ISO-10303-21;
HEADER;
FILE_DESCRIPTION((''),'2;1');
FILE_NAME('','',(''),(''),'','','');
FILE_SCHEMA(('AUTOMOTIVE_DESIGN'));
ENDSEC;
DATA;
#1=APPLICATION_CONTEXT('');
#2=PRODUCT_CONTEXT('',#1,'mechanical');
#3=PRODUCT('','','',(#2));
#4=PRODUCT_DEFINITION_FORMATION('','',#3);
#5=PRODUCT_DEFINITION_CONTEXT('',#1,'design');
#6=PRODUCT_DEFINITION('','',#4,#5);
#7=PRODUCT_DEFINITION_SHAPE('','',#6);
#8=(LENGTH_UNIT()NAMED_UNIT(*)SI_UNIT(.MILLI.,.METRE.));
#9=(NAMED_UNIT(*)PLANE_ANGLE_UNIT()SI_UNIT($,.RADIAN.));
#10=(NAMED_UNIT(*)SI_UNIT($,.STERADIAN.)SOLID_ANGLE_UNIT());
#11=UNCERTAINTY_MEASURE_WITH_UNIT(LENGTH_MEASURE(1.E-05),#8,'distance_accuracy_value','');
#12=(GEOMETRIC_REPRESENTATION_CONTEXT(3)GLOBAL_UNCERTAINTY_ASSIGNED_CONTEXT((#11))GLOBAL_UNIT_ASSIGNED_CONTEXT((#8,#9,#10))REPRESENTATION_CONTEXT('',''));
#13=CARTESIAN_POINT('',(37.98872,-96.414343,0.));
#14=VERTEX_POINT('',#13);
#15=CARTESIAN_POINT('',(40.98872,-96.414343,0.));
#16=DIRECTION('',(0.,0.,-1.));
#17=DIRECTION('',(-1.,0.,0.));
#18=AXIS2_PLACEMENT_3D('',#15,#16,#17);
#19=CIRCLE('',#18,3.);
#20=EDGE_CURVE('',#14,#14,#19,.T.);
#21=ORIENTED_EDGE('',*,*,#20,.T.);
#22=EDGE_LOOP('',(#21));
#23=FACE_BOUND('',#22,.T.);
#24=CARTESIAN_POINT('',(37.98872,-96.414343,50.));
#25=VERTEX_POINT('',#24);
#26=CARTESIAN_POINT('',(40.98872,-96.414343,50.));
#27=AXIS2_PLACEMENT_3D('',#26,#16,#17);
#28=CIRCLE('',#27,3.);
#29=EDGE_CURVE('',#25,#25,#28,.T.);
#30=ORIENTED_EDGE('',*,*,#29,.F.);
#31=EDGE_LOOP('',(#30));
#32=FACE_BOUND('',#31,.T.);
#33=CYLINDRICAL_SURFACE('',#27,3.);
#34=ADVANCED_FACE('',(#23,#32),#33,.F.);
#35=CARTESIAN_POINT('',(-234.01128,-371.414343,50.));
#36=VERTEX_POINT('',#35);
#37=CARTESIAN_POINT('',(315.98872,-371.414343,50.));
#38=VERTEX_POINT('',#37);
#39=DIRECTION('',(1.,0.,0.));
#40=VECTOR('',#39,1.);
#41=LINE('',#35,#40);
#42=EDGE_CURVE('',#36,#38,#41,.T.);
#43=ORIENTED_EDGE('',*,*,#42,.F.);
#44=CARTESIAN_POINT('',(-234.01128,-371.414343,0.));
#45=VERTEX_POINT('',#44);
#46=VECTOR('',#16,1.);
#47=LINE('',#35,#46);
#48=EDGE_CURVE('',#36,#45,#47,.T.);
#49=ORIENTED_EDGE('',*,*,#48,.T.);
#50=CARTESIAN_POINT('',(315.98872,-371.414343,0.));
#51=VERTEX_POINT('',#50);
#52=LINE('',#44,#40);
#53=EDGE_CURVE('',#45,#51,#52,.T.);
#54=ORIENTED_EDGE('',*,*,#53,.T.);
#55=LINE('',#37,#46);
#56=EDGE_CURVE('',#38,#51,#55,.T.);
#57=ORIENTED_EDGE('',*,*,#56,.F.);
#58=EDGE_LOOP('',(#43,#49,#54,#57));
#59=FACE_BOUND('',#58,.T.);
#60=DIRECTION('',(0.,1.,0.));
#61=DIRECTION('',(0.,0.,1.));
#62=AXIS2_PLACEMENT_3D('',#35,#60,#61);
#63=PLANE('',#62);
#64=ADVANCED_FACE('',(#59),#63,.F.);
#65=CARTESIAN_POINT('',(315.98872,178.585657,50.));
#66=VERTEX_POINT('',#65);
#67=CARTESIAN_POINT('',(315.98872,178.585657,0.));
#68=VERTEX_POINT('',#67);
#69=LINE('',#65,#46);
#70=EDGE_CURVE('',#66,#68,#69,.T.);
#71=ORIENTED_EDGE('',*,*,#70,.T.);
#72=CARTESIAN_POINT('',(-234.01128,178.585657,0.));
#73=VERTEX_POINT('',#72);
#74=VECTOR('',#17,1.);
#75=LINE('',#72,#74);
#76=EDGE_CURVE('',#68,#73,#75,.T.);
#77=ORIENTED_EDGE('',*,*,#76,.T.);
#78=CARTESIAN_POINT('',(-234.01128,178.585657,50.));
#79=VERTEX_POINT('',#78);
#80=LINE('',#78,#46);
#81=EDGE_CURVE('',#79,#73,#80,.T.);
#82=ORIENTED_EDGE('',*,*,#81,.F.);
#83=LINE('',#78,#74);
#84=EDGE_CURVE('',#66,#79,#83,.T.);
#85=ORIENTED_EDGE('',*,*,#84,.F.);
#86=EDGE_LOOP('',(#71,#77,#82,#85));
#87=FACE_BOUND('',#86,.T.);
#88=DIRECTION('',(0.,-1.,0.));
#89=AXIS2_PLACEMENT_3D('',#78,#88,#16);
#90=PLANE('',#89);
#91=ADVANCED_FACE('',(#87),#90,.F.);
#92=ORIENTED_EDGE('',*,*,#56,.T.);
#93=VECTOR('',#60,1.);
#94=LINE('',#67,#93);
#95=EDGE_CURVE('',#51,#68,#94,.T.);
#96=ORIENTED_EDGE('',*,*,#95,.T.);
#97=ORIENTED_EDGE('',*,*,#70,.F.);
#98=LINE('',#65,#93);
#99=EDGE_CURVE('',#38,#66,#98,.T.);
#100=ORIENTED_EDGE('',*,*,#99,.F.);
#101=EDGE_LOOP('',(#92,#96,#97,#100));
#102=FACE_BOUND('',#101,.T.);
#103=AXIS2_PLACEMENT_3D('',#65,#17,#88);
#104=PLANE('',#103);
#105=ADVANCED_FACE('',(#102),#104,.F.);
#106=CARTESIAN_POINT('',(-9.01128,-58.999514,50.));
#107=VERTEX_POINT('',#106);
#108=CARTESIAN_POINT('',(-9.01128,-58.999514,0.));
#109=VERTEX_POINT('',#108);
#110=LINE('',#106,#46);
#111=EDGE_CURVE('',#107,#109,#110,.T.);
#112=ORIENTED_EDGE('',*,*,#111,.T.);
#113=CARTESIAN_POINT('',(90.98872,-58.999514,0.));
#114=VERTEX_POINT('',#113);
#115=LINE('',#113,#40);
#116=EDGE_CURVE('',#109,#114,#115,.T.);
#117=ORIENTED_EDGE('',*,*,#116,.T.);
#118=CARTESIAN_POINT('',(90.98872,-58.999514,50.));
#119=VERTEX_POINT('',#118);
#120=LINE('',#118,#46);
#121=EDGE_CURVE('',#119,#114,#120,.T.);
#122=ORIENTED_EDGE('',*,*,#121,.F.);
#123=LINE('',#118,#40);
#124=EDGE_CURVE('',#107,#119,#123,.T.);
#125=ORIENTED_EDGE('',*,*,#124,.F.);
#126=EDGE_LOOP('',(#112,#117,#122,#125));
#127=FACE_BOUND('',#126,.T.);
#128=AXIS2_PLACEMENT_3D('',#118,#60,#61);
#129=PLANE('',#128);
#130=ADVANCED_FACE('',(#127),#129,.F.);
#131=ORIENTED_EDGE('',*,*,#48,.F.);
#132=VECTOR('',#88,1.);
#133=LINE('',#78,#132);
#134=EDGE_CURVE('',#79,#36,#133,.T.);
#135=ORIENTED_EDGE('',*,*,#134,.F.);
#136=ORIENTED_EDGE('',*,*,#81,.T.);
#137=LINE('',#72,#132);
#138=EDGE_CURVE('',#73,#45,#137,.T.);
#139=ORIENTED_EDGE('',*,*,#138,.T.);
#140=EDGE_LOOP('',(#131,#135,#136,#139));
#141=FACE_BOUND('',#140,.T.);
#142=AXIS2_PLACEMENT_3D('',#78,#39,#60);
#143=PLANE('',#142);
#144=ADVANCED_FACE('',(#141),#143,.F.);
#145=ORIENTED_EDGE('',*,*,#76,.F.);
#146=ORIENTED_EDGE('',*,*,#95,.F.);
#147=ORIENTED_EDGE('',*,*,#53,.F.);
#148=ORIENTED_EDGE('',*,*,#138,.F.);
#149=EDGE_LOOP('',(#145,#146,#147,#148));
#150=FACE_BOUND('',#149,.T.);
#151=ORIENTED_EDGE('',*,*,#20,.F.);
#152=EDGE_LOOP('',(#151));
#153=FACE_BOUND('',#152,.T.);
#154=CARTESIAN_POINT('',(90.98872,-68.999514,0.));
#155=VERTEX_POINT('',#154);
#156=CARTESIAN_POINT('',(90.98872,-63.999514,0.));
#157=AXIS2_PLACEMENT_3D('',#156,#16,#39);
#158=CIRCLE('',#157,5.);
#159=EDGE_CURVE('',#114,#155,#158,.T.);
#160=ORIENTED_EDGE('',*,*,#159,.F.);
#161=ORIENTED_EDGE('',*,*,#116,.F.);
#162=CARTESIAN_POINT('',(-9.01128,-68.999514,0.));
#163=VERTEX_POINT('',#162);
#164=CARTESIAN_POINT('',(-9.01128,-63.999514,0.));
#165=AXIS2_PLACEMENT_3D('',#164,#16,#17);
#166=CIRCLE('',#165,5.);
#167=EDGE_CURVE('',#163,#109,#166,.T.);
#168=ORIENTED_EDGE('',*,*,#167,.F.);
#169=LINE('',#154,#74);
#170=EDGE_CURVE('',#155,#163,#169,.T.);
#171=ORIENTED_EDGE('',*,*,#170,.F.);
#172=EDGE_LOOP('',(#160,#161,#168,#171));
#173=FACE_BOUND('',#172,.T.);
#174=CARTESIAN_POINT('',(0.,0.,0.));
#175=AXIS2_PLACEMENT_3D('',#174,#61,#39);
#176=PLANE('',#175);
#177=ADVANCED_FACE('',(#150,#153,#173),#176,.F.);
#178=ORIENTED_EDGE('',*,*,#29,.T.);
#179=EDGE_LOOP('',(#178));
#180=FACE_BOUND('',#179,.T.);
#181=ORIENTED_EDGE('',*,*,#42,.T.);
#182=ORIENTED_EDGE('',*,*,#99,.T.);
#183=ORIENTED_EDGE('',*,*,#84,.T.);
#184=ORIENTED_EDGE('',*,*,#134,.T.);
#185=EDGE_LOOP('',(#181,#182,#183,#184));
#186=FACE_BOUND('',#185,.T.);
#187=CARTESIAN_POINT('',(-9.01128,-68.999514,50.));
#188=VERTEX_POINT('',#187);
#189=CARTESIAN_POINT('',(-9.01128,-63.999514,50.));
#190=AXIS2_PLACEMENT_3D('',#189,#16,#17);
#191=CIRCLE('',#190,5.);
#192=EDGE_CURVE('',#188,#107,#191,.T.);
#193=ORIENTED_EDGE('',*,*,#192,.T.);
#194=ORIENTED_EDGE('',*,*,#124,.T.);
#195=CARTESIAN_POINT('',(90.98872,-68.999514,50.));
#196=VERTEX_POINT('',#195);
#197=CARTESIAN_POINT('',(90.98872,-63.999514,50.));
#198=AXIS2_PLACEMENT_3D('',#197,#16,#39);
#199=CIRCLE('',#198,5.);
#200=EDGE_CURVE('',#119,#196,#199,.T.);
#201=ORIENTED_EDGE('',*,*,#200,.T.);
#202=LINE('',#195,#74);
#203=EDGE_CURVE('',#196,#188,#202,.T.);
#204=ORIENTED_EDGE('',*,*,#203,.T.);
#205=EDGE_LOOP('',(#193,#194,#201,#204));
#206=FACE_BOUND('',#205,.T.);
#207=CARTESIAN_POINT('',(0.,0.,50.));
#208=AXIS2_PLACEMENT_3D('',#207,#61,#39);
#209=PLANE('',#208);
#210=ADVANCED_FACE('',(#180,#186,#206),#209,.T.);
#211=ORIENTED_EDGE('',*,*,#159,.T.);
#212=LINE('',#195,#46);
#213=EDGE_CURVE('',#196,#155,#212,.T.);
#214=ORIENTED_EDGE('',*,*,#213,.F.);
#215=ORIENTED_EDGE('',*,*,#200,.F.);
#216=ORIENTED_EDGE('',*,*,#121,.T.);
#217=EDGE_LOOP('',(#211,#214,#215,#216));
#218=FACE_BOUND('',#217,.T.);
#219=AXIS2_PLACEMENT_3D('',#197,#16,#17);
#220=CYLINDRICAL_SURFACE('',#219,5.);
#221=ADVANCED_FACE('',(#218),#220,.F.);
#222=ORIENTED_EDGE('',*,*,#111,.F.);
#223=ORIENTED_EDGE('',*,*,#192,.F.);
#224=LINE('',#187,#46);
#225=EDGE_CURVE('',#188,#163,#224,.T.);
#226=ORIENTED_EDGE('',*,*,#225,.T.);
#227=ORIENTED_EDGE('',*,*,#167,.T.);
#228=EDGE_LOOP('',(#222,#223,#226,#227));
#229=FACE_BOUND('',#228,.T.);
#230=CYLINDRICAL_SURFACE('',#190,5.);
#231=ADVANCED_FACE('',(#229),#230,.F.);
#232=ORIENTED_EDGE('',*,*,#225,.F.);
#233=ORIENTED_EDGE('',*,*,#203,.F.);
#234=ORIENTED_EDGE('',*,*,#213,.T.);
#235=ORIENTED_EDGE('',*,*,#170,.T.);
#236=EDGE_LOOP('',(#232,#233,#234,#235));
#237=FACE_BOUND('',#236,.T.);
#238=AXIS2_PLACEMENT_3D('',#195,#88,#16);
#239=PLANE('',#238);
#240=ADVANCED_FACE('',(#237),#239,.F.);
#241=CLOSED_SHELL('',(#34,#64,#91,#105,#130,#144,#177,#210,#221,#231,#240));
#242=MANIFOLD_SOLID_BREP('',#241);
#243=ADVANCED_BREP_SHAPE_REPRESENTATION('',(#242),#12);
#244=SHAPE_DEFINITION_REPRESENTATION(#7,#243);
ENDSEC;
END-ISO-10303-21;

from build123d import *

# Parameters (mm, degrees)
CROQUIS1_W              = 550
CROQUIS1_H              = 550
SALIENTE_EXTRUIR1_DEPTH = 50
CROQUIS2_R              = 3
CORTAR_EXTRUIR1_DEPTH   = 50


with BuildPart() as part:
    # Croquis1 → Saliente-Extruir1 (new body)
    with BuildSketch(Plane.XY):
        with Locations((40.988720017, -96.414342629)):
            Rectangle(CROQUIS1_W, CROQUIS1_H)
    extrude(amount=SALIENTE_EXTRUIR1_DEPTH)

    # Croquis2 → Cortar-Extruir1 (cut)
    with BuildSketch(Plane(origin=(0, 0, 0), x_dir=(-1, 0, 0), z_dir=(0, 0, -1))):
        with Locations((-40.988720017, -96.414342629)):
            Circle(CROQUIS2_R)
        with BuildLine():
            Line((-90.988720017, -58.999514309), (9.011279983, -58.999514309))
            ThreePointArc((9.011279983, -58.999514309), (14.011279983, -63.999514309), (9.011279983, -68.999514309))
            Line((9.011279983, -68.999514309), (-90.988720017, -68.999514309))
            ThreePointArc((-90.988720017, -68.999514309), (-95.988720017, -63.999514309), (-90.988720017, -58.999514309))
        make_face()
    extrude(amount=-CORTAR_EXTRUIR1_DEPTH, mode=Mode.SUBTRACT)


solid = part.part
